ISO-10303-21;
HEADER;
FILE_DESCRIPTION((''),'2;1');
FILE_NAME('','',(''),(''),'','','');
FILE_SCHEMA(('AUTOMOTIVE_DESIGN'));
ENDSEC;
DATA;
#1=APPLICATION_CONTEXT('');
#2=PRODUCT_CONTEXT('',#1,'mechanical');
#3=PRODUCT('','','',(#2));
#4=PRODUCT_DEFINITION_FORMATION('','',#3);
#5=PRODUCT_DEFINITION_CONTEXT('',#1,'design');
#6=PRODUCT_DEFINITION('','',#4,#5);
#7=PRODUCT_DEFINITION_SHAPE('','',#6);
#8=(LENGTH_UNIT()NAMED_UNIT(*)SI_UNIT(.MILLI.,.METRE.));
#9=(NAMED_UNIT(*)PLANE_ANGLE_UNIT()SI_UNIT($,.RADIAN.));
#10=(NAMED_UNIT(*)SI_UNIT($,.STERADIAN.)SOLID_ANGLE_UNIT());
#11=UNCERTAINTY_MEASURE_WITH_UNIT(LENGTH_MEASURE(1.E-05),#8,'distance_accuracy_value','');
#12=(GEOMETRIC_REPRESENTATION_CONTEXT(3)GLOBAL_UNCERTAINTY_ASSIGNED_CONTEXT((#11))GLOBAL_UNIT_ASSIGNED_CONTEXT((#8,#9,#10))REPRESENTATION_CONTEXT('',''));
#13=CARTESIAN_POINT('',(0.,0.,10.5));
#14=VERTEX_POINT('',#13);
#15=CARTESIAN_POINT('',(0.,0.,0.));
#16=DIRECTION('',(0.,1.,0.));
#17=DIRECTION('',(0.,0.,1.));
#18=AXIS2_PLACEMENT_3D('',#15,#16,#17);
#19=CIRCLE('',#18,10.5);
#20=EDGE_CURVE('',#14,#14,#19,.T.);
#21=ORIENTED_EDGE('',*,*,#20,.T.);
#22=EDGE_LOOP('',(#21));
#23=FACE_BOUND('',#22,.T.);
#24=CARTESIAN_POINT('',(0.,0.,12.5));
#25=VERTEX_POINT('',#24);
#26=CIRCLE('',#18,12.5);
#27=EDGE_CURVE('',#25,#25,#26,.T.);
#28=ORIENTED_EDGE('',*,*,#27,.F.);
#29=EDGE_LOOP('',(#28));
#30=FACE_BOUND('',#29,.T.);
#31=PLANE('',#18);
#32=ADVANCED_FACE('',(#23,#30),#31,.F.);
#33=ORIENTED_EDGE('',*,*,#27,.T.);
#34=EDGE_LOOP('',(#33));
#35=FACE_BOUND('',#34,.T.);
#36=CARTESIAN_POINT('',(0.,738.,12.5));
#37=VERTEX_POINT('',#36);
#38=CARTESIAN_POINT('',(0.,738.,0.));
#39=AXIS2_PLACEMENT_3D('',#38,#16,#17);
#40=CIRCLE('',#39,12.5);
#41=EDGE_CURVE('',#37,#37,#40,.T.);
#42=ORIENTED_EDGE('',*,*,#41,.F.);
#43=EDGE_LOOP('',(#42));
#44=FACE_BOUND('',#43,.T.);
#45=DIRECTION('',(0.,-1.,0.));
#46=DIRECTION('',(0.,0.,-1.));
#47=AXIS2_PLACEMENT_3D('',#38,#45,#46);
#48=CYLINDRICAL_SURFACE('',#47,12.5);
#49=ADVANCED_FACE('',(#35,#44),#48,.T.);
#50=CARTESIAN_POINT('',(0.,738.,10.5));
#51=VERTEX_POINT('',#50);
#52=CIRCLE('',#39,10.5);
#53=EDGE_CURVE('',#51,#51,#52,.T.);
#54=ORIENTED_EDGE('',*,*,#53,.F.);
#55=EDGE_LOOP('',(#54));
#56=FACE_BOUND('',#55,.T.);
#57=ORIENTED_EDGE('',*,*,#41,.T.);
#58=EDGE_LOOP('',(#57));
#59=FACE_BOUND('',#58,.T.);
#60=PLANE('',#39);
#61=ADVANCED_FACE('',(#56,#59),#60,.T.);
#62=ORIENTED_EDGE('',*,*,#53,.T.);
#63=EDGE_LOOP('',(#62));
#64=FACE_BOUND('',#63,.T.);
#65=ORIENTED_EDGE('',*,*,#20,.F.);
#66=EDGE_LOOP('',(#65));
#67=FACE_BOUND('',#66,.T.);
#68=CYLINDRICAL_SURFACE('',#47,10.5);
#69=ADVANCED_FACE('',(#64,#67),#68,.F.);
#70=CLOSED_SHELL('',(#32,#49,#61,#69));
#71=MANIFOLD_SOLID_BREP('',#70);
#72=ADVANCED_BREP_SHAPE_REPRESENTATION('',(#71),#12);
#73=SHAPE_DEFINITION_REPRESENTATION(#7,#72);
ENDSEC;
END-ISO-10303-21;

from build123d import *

# Parameters (mm, degrees)
SKETCH1_R           = 12.500000019
SKETCH1_R_2         = 10.499999955
BOSS_EXTRUDE1_DEPTH = 738


with BuildPart() as part:
    # Sketch1 → Boss-Extrude1 (new body)
    with BuildSketch(Plane(origin=(0, 0, 0), x_dir=(1, 0, 0), z_dir=(0, 1, 0))):
        with Locations(Location((0, 0, 0), (0, 0, 270))):
            Circle(SKETCH1_R)
        with Locations(Location((0, 0, 0), (0, 0, 270))):
            Circle(SKETCH1_R_2, mode=Mode.SUBTRACT)
    extrude(amount=BOSS_EXTRUDE1_DEPTH)


solid = part.part
